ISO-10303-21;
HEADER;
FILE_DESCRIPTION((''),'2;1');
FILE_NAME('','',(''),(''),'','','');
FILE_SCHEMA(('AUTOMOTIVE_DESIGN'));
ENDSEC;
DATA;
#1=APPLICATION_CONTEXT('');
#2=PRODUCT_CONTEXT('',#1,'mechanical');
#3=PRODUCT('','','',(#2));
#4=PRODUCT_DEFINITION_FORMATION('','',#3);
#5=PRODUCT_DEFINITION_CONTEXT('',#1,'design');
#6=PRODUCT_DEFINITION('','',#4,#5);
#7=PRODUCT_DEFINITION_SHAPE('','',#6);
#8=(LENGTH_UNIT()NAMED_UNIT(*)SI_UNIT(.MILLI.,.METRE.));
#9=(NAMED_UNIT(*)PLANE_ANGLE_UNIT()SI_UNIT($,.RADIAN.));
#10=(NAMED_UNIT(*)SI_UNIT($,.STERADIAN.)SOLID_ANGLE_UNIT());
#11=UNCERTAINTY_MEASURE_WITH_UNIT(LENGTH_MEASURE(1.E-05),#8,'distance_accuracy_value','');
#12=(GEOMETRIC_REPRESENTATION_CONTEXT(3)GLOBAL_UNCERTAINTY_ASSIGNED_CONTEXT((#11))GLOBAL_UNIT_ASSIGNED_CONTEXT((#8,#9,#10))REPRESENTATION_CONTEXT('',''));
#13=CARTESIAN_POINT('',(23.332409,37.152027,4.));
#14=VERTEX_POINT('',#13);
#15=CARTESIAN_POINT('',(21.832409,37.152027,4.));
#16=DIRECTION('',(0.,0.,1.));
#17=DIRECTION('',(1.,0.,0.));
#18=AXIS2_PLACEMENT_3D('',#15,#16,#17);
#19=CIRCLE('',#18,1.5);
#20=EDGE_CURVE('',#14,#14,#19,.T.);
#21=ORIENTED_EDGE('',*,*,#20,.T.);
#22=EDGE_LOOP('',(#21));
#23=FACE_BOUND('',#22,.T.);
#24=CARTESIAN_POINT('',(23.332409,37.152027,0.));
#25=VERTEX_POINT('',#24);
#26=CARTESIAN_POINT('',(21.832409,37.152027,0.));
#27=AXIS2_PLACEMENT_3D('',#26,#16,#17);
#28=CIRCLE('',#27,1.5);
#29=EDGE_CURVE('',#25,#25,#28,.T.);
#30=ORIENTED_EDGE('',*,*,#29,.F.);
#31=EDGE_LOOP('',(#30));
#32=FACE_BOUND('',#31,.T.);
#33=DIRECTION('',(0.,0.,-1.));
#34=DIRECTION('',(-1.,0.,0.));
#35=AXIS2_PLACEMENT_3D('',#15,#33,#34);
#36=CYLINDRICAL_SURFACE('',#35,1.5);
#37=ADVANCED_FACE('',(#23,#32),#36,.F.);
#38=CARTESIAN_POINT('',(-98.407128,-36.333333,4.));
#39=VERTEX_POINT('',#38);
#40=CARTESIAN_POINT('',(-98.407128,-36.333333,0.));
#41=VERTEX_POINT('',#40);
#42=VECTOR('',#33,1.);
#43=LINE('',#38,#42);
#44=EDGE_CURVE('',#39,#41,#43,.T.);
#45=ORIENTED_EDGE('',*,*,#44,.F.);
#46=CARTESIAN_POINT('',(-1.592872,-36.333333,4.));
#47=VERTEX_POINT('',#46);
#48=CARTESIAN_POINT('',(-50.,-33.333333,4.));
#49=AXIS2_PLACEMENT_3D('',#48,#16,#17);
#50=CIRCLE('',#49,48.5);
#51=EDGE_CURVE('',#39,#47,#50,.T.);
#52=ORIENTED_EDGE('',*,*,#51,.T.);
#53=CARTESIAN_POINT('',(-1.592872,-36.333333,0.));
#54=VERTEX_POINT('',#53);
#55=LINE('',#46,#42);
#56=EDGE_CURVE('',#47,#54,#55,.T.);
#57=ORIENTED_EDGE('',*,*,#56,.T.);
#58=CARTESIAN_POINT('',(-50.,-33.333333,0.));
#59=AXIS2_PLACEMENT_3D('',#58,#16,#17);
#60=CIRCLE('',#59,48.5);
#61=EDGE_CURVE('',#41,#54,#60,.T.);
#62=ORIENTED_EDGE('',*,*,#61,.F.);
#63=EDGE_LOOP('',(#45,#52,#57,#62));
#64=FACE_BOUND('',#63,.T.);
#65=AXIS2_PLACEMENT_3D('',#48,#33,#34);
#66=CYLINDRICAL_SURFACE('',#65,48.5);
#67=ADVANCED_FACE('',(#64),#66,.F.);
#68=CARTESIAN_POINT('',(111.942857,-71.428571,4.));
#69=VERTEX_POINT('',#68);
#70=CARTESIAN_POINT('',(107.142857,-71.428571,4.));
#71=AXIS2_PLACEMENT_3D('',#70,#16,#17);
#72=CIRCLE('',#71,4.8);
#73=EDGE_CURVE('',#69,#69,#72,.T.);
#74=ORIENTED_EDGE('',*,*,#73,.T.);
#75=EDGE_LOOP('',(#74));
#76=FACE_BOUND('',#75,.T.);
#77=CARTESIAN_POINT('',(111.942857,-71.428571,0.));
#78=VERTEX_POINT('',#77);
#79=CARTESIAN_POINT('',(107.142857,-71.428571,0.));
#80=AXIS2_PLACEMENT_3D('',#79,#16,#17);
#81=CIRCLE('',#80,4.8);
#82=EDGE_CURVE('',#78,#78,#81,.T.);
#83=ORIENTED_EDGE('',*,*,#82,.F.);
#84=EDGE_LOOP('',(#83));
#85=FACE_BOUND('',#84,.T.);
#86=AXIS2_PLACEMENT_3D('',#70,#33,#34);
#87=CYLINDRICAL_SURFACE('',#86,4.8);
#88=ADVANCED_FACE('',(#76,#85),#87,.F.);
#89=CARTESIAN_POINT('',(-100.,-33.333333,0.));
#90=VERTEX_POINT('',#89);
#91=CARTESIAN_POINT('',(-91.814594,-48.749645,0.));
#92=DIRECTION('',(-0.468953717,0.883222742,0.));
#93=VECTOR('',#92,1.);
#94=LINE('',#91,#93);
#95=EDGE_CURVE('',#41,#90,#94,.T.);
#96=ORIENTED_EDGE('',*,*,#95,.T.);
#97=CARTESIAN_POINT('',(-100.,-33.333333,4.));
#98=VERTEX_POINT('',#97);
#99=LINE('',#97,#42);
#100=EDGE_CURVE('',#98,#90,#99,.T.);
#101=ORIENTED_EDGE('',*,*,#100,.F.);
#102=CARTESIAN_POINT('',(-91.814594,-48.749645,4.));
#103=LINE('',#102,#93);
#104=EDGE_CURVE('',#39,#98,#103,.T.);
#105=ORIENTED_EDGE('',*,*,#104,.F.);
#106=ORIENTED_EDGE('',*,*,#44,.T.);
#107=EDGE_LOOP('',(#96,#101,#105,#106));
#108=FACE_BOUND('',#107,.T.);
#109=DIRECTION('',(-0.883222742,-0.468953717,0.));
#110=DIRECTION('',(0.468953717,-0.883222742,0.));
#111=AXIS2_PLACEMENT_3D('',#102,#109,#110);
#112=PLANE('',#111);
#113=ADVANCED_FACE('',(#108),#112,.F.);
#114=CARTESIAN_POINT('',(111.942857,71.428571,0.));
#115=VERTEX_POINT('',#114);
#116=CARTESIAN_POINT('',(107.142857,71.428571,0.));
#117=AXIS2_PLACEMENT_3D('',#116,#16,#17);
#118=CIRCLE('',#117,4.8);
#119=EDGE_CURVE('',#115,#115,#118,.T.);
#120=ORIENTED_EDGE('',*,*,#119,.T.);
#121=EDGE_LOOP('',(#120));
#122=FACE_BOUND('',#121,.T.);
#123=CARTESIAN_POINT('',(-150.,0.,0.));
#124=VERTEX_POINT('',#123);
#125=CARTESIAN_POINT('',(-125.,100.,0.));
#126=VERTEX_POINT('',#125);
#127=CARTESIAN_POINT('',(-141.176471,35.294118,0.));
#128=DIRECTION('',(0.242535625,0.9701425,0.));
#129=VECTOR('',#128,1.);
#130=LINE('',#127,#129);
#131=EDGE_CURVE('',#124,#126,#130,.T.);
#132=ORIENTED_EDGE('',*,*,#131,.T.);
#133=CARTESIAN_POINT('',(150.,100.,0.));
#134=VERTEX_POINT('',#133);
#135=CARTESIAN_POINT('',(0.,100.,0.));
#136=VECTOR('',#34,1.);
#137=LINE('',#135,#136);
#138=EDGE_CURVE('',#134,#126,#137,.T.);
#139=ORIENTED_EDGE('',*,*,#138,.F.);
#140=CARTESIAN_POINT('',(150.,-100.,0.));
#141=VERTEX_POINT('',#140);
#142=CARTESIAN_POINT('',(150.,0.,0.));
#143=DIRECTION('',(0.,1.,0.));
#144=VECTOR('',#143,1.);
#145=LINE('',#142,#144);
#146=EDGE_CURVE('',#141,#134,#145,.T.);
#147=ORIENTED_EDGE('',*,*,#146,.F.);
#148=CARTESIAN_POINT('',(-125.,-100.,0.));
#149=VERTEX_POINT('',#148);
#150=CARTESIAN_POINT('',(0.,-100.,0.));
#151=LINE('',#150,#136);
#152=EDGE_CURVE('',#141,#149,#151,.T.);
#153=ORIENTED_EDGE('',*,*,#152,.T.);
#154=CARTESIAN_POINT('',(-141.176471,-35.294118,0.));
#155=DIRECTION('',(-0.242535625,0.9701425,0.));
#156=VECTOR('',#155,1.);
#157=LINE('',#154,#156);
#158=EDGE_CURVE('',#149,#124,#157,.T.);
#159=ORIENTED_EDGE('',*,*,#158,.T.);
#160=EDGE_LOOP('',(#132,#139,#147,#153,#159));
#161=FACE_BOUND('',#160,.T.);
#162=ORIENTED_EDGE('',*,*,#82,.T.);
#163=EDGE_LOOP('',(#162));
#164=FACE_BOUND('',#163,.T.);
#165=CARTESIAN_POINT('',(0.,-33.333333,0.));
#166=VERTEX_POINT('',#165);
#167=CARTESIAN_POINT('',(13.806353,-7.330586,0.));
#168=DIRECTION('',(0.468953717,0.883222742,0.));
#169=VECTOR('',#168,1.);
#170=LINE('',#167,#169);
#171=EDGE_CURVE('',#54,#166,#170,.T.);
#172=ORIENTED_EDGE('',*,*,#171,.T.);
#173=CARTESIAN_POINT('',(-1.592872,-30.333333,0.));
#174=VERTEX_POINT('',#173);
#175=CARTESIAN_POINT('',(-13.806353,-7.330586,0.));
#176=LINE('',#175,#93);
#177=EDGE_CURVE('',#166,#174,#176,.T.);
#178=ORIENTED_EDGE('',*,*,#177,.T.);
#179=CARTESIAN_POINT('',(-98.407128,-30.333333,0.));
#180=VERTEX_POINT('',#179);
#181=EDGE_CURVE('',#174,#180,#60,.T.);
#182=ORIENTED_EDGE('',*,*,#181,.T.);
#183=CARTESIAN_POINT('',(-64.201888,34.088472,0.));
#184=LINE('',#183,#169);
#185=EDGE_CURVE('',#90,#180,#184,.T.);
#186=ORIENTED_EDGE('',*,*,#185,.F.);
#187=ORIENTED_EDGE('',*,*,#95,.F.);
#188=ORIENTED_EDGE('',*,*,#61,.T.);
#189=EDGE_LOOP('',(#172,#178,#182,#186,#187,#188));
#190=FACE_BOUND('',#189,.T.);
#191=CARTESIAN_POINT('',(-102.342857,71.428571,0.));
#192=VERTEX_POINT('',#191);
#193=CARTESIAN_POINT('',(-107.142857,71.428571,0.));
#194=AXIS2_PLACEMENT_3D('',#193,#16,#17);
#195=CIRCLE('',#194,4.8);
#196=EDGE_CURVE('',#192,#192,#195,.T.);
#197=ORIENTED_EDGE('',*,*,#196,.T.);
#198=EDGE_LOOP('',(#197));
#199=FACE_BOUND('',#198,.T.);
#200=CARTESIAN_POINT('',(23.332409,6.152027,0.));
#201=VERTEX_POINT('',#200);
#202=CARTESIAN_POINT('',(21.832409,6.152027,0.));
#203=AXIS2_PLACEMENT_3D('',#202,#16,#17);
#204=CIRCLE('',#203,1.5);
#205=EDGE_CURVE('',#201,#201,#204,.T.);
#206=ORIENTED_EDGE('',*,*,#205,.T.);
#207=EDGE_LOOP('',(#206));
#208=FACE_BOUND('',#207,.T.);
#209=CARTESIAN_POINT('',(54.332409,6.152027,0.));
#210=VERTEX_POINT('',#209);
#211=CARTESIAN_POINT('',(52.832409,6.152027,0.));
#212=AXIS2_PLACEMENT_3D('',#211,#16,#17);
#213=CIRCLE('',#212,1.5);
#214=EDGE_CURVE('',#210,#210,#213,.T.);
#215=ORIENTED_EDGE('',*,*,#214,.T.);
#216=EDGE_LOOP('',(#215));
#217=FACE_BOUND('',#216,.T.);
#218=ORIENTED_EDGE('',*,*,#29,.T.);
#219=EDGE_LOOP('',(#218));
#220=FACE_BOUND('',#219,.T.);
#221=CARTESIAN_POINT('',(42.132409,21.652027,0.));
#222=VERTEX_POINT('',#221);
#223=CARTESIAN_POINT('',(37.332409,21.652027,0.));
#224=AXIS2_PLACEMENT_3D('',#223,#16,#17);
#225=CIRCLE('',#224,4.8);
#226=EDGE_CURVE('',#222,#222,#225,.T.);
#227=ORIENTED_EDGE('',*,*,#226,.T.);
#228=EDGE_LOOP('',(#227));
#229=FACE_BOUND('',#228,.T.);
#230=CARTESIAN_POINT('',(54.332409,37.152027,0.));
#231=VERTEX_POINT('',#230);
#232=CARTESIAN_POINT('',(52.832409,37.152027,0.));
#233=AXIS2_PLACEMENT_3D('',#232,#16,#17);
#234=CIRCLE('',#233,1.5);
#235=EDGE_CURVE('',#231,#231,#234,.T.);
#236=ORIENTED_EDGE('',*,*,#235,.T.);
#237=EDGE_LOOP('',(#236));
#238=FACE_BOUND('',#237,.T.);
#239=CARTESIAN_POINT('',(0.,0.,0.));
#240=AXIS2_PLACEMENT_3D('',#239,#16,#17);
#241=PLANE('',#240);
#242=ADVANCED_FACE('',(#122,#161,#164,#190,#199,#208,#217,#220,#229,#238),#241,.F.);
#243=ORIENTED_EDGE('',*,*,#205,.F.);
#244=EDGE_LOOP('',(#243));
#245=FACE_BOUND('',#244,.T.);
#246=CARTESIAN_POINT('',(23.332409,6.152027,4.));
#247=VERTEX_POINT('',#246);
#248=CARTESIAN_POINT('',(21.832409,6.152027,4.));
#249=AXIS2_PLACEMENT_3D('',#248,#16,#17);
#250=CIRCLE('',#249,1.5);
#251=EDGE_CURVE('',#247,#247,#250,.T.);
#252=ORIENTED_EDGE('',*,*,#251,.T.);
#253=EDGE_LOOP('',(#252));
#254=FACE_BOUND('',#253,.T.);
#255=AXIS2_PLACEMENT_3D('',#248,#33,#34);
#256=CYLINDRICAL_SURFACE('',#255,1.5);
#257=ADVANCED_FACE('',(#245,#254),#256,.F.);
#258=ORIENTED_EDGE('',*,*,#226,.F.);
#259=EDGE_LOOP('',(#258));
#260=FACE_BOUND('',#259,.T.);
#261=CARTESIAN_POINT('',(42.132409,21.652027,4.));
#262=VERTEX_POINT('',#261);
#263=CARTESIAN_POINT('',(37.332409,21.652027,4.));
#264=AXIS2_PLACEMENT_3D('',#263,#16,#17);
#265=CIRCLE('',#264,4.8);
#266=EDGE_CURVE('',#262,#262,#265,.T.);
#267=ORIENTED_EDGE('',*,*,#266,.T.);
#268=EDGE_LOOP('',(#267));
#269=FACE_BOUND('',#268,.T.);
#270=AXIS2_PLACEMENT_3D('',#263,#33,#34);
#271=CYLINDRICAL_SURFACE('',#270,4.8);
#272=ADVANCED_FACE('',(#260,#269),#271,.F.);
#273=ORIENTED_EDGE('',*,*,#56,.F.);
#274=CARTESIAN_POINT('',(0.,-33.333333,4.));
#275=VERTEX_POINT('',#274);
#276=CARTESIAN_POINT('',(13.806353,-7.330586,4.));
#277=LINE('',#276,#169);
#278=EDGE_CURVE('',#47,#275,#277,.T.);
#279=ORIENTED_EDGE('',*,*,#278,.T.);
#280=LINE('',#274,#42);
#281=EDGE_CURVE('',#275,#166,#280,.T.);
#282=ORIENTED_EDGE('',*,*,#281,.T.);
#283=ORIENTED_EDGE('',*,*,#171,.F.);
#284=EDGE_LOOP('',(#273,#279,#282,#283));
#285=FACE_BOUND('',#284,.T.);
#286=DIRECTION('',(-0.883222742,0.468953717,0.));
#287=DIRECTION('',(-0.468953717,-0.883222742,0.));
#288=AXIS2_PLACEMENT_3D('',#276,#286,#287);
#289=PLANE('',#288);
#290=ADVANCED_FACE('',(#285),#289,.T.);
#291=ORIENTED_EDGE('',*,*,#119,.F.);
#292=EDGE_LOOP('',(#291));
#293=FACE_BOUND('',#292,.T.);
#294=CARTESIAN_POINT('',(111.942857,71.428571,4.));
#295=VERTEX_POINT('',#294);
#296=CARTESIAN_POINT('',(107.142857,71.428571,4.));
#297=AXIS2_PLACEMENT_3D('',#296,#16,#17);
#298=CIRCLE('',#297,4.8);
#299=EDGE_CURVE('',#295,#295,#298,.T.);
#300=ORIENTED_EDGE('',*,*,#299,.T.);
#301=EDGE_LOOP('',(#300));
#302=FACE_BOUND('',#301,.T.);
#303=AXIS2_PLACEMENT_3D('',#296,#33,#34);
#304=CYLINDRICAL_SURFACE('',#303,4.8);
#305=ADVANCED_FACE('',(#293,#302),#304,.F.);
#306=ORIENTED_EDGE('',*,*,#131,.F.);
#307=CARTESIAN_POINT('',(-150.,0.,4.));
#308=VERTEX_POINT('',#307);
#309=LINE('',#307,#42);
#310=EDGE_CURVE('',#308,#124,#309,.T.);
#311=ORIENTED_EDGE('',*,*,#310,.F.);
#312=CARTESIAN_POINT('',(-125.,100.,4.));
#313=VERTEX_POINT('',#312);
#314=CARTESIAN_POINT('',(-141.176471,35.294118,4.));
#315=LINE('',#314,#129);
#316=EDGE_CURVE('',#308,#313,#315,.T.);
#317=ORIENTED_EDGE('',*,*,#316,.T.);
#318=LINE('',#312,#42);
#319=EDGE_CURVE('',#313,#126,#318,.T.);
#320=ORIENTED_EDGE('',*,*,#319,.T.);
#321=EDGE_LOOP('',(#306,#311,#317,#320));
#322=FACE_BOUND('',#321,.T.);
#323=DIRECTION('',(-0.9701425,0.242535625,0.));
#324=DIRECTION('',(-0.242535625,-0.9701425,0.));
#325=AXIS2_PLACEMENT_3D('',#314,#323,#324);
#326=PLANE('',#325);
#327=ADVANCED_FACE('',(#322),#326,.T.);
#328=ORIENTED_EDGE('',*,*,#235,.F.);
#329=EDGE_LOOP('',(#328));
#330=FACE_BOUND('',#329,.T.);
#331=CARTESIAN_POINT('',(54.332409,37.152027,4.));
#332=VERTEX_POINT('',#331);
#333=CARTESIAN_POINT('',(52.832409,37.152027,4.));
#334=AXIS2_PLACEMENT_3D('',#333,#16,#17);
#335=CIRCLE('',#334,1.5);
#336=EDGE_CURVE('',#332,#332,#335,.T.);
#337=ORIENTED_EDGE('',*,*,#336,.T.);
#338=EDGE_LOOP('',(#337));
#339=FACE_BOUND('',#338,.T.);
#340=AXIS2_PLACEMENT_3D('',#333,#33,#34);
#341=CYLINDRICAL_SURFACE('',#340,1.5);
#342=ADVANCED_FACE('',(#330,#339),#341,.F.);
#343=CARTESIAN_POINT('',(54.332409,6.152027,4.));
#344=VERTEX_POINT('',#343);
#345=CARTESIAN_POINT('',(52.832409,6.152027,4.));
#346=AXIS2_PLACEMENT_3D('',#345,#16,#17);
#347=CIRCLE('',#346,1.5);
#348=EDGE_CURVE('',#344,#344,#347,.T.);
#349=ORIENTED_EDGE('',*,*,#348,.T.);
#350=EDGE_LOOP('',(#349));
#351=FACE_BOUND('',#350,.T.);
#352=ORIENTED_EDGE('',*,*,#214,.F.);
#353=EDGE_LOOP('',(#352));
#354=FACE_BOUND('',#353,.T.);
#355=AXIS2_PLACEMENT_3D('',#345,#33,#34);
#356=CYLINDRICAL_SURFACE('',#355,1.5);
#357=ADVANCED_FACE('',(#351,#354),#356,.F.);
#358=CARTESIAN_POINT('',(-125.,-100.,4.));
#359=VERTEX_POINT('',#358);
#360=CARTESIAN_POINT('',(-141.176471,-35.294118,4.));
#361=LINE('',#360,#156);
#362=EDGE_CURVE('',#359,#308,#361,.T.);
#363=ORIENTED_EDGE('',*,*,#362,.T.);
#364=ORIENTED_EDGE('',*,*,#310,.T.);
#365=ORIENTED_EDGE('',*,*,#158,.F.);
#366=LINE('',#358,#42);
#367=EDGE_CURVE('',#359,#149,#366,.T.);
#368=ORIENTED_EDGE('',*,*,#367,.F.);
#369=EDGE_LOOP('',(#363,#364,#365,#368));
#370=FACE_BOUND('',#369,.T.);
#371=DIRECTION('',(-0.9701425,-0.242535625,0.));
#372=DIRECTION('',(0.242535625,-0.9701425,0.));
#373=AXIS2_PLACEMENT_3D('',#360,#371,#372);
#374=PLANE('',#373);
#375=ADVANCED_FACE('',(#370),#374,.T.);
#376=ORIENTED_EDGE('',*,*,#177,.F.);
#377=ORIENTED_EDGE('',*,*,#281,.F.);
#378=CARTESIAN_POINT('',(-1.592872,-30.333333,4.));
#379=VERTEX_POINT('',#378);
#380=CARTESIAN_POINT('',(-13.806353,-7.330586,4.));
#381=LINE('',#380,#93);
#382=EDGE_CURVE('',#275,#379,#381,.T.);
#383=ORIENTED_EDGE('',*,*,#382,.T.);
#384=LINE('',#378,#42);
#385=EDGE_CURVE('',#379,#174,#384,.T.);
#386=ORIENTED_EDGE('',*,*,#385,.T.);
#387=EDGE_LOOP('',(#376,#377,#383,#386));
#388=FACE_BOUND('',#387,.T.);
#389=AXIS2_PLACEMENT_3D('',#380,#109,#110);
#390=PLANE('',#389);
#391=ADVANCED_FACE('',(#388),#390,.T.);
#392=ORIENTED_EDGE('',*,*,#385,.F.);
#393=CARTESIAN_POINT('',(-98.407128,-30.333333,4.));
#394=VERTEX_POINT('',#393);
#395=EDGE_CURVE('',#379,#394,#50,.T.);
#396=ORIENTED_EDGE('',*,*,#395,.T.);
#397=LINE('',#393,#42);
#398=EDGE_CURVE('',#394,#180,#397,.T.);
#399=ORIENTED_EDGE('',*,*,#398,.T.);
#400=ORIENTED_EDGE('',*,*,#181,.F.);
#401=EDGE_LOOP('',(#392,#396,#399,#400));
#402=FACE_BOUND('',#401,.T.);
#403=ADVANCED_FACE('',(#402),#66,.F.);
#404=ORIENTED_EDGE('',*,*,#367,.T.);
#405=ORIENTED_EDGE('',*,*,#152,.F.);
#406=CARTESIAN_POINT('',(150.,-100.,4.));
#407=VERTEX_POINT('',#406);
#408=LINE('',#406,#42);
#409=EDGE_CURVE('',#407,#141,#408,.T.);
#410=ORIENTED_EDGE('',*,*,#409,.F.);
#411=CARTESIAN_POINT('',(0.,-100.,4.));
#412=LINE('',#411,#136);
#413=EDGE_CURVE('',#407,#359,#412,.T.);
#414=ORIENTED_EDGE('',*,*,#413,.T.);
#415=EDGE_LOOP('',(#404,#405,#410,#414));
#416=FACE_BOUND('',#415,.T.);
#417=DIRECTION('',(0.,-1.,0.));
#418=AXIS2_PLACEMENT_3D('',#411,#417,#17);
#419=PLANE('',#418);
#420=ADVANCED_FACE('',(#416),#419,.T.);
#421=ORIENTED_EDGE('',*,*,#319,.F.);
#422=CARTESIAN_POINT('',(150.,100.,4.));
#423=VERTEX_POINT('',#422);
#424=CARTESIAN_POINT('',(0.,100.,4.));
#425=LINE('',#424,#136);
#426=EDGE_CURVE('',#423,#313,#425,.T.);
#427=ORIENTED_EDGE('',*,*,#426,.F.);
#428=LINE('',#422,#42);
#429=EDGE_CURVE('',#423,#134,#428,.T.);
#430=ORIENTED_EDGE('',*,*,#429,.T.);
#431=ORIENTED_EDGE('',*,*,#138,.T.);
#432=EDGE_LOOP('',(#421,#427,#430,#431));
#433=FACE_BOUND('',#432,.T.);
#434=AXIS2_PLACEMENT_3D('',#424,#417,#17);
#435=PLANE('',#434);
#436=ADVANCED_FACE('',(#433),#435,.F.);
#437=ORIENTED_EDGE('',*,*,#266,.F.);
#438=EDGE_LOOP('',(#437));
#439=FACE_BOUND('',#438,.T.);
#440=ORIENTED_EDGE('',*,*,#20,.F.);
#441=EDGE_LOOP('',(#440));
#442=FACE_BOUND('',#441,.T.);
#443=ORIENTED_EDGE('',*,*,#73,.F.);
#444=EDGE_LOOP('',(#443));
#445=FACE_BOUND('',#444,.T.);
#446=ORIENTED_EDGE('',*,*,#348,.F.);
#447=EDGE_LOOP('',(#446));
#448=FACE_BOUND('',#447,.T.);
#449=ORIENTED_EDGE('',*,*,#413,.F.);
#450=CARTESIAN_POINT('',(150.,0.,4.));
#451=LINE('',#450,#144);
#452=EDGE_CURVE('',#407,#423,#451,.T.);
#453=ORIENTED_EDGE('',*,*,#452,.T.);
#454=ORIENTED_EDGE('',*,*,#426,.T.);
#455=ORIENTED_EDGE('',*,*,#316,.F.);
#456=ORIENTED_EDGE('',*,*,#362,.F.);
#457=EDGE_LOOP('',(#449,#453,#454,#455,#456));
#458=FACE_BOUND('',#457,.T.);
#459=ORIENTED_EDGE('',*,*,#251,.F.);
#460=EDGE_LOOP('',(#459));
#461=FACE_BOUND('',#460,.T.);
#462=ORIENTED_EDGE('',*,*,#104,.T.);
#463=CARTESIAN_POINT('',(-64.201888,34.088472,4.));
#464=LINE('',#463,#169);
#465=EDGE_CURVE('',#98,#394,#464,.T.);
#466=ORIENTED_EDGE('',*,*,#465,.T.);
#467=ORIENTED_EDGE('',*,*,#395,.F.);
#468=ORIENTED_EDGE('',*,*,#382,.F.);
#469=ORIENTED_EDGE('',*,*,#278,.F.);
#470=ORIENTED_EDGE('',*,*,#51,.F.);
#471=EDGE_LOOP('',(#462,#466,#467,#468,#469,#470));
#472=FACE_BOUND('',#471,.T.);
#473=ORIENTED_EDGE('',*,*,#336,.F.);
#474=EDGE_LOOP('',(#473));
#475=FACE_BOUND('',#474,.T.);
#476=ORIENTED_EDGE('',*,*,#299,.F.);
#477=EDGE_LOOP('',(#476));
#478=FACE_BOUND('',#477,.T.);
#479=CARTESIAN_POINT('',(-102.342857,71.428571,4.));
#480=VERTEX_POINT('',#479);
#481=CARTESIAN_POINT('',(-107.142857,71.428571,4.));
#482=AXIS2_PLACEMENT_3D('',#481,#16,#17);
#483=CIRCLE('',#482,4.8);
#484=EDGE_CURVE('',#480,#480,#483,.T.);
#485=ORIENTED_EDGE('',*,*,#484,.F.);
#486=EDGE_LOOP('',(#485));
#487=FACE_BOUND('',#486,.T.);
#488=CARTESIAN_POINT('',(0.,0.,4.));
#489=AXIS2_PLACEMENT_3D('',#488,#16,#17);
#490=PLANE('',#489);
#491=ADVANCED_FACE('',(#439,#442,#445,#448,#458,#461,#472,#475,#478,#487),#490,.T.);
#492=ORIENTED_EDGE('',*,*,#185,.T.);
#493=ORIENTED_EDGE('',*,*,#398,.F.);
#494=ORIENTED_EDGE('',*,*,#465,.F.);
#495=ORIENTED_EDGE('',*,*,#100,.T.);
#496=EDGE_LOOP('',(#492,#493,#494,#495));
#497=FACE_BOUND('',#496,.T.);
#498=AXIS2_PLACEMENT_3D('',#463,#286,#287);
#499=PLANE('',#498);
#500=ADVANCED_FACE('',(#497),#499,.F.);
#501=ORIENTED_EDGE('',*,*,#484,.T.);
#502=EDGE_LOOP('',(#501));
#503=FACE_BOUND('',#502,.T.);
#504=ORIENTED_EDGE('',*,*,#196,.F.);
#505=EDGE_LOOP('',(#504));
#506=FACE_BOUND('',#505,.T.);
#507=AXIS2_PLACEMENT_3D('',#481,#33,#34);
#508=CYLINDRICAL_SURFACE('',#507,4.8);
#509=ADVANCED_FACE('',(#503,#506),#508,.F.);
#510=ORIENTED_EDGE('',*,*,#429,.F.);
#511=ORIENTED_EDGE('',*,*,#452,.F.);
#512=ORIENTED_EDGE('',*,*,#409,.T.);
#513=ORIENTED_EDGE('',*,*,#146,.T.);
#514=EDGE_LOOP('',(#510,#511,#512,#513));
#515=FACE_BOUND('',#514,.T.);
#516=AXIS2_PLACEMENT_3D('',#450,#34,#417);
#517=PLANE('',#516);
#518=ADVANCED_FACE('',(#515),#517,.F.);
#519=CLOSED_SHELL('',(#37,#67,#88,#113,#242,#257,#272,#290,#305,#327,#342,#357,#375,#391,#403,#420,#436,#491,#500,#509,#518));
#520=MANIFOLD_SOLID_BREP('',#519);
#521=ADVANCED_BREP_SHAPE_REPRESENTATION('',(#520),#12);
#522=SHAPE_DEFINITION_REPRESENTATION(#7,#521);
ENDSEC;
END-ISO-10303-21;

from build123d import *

# Parameters (mm, degrees)
SKETCH1_R           = 4.8
SKETCH1_R_2         = 1.5
BOSS_EXTRUDE3_DEPTH = 4


with BuildPart() as part:
    # Sketch1 → Boss-Extrude3 (new body)
    with BuildSketch(Plane.XY):
        Polygon((-125, -100), (150, -100), (150, 100), (-125, 100), (-150, 0), align=None)
        with BuildLine():
            Line((0, -33.333333333), (-1.592872426, -36.333333333))
            ThreePointArc((-1.592872426, -36.333333333), (-50, -81.833333333), (-98.407127574, -36.333333333))
            Line((-98.407127574, -36.333333333), (-100, -33.333333333))
            Line((-100, -33.333333333), (-98.407127574, -30.333333333))
            ThreePointArc((-98.407127574, -30.333333333), (-50, 15.166666667), (-1.592872426, -30.333333333))
            Line((-1.592872426, -30.333333333), (0, -33.333333333))
        make_face(mode=Mode.SUBTRACT)
        with Locations((107.142857143, -71.428571429)):
            Circle(SKETCH1_R, mode=Mode.SUBTRACT)
        with Locations((-107.142857143, 71.428571429)):
            Circle(SKETCH1_R, mode=Mode.SUBTRACT)
        with Locations((21.832408692, 6.152026506)):
            Circle(SKETCH1_R_2, mode=Mode.SUBTRACT)
        with Locations((37.332408692, 21.652026506)):
            Circle(SKETCH1_R, mode=Mode.SUBTRACT)
        with Locations((52.832408692, 6.152026506)):
            Circle(SKETCH1_R_2, mode=Mode.SUBTRACT)
        with Locations((21.832408692, 37.152026506)):
            Circle(SKETCH1_R_2, mode=Mode.SUBTRACT)
        with Locations((52.832408692, 37.152026506)):
            Circle(SKETCH1_R_2, mode=Mode.SUBTRACT)
        with Locations((107.142857143, 71.428571429)):
            Circle(SKETCH1_R, mode=Mode.SUBTRACT)
    extrude(amount=BOSS_EXTRUDE3_DEPTH)


solid = part.part
